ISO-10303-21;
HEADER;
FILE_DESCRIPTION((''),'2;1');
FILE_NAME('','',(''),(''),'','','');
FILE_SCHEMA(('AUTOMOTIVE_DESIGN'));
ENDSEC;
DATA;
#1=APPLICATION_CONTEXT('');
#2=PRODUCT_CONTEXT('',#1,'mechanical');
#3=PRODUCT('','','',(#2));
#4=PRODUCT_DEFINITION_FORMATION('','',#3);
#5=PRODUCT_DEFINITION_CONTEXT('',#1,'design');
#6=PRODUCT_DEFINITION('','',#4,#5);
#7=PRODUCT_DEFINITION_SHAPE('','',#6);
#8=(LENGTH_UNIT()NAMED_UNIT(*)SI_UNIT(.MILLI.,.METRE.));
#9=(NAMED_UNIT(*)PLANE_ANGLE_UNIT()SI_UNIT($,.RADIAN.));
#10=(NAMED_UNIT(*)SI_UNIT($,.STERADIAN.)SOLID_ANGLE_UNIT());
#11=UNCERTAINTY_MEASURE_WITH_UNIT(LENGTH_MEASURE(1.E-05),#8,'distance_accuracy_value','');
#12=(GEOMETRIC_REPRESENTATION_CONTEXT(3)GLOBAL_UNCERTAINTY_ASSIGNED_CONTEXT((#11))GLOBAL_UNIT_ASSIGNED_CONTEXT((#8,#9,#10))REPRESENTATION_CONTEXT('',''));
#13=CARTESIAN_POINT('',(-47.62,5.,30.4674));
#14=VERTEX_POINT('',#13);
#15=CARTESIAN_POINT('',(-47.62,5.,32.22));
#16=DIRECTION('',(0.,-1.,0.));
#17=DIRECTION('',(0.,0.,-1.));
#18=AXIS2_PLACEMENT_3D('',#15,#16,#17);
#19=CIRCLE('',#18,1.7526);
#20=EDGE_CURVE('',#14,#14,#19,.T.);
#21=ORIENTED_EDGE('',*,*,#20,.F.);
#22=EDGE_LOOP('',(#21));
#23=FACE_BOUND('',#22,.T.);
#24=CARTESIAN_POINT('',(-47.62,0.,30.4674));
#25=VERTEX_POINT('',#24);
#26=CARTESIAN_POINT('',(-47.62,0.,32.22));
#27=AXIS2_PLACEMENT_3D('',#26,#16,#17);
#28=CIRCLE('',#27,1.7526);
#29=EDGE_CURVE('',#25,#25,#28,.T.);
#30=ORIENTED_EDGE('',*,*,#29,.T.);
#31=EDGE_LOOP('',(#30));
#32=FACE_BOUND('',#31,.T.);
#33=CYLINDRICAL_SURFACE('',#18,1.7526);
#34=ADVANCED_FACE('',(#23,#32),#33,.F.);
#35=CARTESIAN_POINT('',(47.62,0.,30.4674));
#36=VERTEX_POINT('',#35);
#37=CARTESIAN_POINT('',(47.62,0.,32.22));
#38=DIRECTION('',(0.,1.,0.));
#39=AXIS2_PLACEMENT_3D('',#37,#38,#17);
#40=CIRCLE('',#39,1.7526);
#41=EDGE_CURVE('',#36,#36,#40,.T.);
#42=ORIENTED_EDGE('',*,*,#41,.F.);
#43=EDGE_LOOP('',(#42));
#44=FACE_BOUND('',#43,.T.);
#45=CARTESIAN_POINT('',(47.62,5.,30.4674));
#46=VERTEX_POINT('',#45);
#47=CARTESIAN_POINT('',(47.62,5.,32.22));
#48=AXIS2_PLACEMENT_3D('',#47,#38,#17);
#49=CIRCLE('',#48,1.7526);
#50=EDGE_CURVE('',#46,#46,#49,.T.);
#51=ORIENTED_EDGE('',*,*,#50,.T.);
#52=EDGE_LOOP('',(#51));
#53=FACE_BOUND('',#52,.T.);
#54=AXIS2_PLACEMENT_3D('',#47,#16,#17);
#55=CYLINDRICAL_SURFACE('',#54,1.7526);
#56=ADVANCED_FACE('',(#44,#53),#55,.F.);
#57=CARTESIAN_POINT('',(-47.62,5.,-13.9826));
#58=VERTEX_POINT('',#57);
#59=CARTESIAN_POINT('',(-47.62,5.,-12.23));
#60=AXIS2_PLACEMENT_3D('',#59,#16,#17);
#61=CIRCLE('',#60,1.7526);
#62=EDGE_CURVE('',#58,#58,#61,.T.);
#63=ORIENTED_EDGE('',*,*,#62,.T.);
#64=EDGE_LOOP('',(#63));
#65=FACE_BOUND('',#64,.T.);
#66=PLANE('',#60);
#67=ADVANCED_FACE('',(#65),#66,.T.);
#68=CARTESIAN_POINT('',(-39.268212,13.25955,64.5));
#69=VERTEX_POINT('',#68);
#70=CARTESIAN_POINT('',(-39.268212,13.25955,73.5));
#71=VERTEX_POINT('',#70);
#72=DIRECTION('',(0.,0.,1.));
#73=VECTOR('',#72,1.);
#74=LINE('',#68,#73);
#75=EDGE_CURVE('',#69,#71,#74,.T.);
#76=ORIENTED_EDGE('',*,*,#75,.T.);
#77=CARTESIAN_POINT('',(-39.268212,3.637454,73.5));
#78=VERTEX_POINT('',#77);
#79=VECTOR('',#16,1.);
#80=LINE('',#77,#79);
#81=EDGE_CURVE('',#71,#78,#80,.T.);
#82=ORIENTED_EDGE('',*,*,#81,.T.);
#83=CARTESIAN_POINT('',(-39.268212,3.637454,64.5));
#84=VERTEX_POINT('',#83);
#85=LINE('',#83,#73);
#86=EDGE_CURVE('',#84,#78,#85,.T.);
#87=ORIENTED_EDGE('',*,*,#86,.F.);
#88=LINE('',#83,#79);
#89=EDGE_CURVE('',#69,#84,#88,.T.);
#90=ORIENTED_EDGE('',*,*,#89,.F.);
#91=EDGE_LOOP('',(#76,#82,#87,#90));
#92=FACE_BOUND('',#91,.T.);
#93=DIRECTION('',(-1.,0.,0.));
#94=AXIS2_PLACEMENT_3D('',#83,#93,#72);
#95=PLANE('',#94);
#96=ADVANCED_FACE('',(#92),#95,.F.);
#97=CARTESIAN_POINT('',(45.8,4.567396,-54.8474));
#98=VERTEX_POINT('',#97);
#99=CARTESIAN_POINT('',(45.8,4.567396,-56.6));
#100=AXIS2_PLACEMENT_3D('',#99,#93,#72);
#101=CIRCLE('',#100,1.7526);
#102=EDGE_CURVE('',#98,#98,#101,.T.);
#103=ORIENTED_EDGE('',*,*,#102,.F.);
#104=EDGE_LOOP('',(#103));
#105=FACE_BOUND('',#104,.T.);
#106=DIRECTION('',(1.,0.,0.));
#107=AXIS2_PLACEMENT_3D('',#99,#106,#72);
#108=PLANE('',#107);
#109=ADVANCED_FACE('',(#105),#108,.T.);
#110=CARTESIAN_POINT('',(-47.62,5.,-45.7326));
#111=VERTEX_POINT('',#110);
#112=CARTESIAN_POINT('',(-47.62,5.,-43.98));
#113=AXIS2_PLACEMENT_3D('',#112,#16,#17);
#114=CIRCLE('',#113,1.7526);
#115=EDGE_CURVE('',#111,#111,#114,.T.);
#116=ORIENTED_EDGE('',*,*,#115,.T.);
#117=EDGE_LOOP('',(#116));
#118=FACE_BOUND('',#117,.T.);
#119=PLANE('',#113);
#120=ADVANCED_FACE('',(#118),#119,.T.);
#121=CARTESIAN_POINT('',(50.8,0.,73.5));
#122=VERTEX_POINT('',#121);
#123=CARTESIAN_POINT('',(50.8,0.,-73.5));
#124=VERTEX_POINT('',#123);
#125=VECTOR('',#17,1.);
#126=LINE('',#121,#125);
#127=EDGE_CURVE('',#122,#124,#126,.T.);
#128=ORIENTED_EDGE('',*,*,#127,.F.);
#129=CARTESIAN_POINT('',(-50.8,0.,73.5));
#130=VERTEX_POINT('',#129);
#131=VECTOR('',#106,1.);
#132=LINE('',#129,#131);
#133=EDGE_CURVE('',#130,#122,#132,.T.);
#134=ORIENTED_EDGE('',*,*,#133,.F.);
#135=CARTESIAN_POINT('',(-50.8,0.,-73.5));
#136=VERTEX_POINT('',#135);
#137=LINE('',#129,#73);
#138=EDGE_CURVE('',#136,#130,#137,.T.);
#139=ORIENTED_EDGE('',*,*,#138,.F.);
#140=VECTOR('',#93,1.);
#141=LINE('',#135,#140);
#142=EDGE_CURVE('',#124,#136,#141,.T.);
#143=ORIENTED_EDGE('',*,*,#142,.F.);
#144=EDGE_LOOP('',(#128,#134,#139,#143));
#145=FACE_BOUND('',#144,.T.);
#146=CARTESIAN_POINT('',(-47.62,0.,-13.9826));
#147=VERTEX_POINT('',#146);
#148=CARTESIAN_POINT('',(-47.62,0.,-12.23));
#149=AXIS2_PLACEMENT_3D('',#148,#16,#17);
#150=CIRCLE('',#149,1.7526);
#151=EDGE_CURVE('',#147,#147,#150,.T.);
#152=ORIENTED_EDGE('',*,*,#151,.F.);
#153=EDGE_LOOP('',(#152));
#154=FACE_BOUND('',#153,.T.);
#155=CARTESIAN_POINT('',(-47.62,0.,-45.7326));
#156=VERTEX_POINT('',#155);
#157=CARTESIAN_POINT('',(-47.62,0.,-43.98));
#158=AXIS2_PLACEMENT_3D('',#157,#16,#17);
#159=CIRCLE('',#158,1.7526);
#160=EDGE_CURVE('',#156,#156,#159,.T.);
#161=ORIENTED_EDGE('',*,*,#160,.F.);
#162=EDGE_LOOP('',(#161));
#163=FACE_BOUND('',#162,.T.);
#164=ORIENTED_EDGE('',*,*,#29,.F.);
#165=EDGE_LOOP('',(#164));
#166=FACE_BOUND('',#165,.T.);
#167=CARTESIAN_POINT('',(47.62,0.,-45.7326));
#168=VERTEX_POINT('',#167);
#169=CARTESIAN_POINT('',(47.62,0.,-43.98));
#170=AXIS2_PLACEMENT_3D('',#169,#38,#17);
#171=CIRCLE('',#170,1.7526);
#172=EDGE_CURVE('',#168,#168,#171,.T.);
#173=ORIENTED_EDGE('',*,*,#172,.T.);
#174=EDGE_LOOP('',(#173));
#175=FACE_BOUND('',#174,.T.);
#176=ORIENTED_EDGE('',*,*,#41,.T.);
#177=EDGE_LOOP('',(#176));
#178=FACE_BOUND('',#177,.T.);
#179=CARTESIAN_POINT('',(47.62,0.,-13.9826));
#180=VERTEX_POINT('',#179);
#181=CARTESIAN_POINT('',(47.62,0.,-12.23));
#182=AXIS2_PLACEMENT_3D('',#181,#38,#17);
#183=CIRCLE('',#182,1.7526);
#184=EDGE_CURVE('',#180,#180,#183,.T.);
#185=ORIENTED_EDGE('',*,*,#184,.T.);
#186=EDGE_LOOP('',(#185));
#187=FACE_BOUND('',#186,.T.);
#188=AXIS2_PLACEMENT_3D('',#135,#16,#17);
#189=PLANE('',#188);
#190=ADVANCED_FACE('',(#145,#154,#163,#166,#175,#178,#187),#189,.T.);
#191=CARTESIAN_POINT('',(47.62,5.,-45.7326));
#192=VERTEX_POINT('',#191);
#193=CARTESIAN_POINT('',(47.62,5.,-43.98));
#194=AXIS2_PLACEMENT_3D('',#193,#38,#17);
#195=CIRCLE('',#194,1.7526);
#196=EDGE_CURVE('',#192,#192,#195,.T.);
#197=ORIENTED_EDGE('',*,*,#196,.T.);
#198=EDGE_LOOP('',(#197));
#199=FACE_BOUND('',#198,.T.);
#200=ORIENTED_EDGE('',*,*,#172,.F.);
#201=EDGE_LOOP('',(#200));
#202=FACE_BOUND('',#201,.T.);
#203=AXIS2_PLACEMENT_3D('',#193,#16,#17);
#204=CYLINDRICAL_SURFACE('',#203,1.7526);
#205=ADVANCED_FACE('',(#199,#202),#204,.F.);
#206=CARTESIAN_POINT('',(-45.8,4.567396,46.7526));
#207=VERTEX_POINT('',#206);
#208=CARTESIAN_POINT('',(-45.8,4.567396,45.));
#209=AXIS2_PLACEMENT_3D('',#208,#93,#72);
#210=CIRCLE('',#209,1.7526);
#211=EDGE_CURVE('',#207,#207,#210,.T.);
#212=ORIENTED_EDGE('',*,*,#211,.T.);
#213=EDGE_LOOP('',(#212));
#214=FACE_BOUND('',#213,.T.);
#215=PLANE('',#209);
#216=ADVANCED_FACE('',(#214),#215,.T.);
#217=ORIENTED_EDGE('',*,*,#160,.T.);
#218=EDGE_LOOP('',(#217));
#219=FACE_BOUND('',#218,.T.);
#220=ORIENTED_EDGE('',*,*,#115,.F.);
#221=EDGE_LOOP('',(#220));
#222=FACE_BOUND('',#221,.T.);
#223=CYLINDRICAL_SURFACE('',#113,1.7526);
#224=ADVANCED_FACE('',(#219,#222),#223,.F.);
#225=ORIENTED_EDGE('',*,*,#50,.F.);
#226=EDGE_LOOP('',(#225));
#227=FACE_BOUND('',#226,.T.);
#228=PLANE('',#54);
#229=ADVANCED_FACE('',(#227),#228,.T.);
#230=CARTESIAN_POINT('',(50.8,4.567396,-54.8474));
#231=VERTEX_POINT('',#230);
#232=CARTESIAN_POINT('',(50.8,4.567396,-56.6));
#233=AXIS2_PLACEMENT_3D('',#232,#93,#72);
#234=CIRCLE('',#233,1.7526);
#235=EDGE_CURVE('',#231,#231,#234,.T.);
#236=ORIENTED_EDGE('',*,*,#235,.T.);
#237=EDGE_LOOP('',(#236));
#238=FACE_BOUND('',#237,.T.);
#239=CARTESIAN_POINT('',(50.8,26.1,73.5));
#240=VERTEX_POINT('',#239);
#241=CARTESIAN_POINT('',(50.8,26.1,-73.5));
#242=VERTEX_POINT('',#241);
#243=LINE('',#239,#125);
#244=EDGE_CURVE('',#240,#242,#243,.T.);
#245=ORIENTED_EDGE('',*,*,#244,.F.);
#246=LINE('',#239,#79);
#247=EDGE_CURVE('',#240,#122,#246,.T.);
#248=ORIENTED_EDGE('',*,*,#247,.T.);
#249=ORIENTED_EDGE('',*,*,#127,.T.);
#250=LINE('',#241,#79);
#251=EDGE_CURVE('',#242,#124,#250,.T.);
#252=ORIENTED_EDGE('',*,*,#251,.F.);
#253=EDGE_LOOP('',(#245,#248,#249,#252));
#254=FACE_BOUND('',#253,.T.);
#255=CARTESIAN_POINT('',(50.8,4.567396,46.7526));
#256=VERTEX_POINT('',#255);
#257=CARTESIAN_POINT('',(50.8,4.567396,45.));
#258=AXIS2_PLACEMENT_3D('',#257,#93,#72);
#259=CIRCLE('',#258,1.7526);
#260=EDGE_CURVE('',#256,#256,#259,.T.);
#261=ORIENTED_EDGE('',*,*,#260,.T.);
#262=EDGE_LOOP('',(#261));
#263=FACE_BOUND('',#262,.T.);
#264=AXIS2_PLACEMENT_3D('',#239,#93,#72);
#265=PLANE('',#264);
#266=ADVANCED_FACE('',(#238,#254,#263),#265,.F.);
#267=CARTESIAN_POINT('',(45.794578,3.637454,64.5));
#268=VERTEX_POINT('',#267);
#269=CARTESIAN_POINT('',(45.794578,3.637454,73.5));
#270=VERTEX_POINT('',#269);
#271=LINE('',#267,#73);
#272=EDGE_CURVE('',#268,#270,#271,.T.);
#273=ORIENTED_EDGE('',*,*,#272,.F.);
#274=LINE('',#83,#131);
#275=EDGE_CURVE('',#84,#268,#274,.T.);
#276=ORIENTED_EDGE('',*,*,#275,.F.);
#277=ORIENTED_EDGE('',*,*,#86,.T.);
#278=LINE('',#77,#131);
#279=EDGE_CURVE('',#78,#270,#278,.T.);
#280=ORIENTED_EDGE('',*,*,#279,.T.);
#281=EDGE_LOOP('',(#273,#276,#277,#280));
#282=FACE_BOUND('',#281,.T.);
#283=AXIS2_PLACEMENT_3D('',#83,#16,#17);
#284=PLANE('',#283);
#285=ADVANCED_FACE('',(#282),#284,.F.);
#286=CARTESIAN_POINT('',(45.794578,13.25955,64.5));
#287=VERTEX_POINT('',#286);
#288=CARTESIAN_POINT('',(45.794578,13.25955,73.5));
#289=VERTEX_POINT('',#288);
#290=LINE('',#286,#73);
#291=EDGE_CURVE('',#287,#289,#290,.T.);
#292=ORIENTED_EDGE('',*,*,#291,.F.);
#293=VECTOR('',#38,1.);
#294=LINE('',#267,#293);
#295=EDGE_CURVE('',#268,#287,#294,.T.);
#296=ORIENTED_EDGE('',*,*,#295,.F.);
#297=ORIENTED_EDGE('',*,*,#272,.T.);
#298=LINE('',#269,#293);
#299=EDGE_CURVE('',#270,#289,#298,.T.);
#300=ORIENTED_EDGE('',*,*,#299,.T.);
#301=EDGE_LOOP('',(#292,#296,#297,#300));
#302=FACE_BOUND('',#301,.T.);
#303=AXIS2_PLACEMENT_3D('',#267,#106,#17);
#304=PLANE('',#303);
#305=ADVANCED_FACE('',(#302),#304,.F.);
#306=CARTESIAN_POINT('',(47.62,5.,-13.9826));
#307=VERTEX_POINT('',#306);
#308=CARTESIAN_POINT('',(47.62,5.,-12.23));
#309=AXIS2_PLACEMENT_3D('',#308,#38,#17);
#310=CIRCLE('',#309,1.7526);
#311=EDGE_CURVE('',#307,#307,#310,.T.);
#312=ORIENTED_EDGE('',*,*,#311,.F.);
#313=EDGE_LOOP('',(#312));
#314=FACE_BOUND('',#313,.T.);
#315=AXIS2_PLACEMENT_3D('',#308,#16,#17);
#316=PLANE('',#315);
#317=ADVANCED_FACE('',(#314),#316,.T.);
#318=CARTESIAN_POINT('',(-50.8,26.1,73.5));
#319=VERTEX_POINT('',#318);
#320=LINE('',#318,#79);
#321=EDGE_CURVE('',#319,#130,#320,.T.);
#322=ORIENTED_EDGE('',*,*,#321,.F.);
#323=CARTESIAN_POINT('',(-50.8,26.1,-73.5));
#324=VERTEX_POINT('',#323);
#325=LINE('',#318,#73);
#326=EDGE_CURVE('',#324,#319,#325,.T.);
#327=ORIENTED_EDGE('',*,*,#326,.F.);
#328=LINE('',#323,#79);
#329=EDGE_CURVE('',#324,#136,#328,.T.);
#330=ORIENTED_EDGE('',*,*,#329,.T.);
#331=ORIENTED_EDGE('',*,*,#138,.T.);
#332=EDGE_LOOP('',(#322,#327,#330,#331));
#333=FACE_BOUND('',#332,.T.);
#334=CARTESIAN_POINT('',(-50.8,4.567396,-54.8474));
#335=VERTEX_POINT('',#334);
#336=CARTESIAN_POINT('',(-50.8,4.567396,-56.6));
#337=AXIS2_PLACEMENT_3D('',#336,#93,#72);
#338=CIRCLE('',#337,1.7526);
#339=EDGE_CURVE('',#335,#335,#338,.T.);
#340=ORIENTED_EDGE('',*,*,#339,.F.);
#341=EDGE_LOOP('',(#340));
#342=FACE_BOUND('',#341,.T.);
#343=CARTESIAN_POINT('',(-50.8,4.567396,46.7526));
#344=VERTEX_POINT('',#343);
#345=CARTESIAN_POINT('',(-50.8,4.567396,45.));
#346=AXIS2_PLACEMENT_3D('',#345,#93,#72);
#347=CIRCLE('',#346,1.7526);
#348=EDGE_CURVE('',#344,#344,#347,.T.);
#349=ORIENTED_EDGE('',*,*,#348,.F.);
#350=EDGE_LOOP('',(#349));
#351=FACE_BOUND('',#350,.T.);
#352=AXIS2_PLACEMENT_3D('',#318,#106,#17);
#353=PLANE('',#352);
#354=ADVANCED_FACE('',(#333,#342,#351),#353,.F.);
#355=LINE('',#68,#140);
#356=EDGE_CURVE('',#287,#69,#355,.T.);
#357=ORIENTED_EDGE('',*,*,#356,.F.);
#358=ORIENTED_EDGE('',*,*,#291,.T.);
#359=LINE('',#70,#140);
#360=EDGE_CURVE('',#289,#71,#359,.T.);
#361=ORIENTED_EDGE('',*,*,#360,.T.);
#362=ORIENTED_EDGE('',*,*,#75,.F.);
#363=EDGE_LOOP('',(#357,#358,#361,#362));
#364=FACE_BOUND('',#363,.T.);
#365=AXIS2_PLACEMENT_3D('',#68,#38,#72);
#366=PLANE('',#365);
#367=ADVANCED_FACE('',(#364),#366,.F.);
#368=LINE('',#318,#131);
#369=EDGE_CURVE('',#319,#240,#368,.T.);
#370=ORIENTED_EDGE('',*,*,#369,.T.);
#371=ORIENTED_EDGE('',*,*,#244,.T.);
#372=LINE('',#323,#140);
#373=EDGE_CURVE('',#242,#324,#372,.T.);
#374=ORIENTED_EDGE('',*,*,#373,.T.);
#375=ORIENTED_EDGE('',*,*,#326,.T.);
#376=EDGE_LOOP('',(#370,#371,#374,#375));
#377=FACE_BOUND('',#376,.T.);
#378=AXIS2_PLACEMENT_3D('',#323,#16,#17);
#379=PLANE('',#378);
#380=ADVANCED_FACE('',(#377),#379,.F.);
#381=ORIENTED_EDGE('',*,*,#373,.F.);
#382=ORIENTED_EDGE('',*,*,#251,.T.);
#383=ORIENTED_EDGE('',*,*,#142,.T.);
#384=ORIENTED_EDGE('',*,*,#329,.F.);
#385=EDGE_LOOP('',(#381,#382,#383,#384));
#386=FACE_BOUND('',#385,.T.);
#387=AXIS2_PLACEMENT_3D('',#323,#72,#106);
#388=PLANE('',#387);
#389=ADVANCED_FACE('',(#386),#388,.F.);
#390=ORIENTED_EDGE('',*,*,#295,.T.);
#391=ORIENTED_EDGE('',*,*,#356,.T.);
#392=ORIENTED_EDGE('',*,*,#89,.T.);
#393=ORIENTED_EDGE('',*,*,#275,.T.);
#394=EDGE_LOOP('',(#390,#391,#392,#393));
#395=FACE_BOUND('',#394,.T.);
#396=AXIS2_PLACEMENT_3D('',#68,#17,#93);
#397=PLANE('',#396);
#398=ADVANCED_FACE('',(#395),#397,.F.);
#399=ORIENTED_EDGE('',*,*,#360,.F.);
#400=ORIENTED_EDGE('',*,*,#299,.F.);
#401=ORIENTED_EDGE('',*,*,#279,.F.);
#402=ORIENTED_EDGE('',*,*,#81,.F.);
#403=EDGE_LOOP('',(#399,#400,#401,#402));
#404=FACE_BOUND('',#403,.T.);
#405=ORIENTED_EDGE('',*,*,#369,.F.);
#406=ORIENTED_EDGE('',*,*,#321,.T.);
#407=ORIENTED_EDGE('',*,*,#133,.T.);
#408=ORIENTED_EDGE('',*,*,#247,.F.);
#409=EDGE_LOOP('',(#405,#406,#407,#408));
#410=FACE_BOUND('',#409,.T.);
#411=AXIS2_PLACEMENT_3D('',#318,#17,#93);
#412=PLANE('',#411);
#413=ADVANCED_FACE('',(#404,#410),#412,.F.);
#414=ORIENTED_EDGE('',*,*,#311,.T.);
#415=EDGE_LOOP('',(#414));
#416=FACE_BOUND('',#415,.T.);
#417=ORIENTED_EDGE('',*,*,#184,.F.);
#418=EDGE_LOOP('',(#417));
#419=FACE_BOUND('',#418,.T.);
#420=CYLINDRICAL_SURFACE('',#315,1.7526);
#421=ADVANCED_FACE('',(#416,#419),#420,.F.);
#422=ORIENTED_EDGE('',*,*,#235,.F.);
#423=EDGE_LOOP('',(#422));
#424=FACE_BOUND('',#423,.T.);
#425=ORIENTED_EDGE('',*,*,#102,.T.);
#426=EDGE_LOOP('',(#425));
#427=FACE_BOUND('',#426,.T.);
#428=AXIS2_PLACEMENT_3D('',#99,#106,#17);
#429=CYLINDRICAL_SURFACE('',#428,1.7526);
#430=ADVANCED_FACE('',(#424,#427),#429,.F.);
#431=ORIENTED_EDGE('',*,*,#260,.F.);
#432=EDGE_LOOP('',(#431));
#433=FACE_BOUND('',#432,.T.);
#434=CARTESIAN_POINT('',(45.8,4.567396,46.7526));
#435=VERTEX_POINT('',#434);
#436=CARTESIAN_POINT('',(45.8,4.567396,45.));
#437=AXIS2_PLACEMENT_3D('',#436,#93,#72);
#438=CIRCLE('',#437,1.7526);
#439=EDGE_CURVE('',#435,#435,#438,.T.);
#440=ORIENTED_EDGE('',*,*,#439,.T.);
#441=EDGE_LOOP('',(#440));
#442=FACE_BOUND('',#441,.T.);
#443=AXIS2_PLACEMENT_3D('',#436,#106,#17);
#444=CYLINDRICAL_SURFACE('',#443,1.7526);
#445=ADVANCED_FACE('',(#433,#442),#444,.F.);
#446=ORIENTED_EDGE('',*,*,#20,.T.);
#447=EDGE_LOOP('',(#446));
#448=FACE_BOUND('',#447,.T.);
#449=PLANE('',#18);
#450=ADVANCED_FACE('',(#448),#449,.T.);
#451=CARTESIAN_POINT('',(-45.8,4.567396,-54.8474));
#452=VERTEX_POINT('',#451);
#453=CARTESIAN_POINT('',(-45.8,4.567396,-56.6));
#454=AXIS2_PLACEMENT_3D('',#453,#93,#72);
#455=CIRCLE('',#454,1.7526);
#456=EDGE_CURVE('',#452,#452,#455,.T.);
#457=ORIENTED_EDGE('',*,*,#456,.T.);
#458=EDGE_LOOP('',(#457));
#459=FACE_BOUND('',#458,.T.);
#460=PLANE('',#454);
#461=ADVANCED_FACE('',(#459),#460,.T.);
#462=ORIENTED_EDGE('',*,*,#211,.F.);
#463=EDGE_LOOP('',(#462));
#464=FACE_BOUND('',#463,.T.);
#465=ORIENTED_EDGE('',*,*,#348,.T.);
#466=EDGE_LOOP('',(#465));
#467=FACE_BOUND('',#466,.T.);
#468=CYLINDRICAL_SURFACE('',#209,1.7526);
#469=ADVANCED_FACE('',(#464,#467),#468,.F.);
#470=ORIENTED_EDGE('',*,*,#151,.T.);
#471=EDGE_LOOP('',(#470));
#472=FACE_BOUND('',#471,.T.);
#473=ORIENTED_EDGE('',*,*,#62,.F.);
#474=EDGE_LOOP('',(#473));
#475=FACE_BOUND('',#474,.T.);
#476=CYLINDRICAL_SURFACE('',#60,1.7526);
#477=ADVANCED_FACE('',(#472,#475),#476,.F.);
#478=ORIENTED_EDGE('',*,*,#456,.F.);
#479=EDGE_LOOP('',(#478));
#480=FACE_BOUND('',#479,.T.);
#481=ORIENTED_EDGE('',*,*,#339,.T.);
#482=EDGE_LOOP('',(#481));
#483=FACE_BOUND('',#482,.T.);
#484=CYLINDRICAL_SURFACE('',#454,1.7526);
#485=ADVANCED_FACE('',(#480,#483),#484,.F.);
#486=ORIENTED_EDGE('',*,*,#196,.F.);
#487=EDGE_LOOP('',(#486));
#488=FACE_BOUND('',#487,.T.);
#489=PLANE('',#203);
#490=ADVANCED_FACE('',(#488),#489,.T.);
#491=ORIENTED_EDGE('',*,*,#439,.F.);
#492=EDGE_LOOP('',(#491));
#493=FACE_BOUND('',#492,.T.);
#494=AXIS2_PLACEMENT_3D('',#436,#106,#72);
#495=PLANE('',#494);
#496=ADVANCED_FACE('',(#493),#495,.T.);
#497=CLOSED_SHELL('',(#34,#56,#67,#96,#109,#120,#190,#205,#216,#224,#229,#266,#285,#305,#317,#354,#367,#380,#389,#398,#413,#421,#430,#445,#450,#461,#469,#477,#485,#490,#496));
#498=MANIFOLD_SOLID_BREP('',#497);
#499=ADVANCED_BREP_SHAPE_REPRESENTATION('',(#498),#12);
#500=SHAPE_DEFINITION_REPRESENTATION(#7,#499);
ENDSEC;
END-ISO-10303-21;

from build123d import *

# Parameters (mm, degrees)
SKICA1_W                 = 101.6
SKICA1_H                 = 147
P_IDAT_VYSUNUT_M1_DEPTH  = 26.1
SKICA3_W                 = 85.062789824
SKICA3_H                 = 9.622095786
ODEBRAT_VYSUNUT_M2_DEPTH = 9
SKICA2_R                 = 1.7526
ODEBRAT_VYSUNUT_M1_DEPTH = 5
SKICA4_R                 = 1.7526
ODEBRAT_VYSUNUT_M3_DEPTH = 5


with BuildPart() as part:
    # Skica1 → Přidat vysunutím1 (new body)
    with BuildSketch(Plane(origin=(0, 0, 0), x_dir=(1, 0, 0), z_dir=(0, 1, 0))):
        Rectangle(SKICA1_W, SKICA1_H)
    extrude(amount=P_IDAT_VYSUNUT_M1_DEPTH)

    # Skica3 → Odebrat vysunutím2 (cut)
    with BuildSketch(Plane.XY.offset(73.5)):
        with Locations((3.263182855, 8.448501867)):
            Rectangle(SKICA3_W, SKICA3_H)
    extrude(amount=-ODEBRAT_VYSUNUT_M2_DEPTH, mode=Mode.SUBTRACT)

    # Skica2 → Odebrat vysunutím1 (cut)
    with BuildSketch(Plane.XZ):
        with Locations(Location((-47.62, 32.22, 0), (0, 0, 270))):
            Circle(SKICA2_R)
        with Locations(Location((-47.62, -12.23, 0), (0, 0, 270))):
            Circle(SKICA2_R)
        with Locations(Location((-47.62, -43.98, 0), (0, 0, 270))):
            Circle(SKICA2_R)
    odebrat_vysunut_m1 = extrude(amount=-ODEBRAT_VYSUNUT_M1_DEPTH, mode=Mode.SUBTRACT)

    # Skica4 → Odebrat vysunutím3 (cut)
    with BuildSketch(Plane.ZY.offset(50.8)):
        with Locations((45, 4.567395648)):
            Circle(SKICA4_R)
        with Locations((-56.6, 4.567395648)):
            Circle(SKICA4_R)
    odebrat_vysunut_m3 = extrude(amount=-ODEBRAT_VYSUNUT_M3_DEPTH, mode=Mode.SUBTRACT)

    # Zrcadlit1: Odebrat vysunutím1, Odebrat vysunutím3 across plane
    add(odebrat_vysunut_m1.mirror(Plane(origin=(0, 0, 0), x_dir=(0, 0, 1), z_dir=(1, 0, 0))), mode=Mode.SUBTRACT)
    add(odebrat_vysunut_m3.mirror(Plane(origin=(0, 0, 0), x_dir=(0, 0, 1), z_dir=(1, 0, 0))), mode=Mode.SUBTRACT)


solid = part.part
